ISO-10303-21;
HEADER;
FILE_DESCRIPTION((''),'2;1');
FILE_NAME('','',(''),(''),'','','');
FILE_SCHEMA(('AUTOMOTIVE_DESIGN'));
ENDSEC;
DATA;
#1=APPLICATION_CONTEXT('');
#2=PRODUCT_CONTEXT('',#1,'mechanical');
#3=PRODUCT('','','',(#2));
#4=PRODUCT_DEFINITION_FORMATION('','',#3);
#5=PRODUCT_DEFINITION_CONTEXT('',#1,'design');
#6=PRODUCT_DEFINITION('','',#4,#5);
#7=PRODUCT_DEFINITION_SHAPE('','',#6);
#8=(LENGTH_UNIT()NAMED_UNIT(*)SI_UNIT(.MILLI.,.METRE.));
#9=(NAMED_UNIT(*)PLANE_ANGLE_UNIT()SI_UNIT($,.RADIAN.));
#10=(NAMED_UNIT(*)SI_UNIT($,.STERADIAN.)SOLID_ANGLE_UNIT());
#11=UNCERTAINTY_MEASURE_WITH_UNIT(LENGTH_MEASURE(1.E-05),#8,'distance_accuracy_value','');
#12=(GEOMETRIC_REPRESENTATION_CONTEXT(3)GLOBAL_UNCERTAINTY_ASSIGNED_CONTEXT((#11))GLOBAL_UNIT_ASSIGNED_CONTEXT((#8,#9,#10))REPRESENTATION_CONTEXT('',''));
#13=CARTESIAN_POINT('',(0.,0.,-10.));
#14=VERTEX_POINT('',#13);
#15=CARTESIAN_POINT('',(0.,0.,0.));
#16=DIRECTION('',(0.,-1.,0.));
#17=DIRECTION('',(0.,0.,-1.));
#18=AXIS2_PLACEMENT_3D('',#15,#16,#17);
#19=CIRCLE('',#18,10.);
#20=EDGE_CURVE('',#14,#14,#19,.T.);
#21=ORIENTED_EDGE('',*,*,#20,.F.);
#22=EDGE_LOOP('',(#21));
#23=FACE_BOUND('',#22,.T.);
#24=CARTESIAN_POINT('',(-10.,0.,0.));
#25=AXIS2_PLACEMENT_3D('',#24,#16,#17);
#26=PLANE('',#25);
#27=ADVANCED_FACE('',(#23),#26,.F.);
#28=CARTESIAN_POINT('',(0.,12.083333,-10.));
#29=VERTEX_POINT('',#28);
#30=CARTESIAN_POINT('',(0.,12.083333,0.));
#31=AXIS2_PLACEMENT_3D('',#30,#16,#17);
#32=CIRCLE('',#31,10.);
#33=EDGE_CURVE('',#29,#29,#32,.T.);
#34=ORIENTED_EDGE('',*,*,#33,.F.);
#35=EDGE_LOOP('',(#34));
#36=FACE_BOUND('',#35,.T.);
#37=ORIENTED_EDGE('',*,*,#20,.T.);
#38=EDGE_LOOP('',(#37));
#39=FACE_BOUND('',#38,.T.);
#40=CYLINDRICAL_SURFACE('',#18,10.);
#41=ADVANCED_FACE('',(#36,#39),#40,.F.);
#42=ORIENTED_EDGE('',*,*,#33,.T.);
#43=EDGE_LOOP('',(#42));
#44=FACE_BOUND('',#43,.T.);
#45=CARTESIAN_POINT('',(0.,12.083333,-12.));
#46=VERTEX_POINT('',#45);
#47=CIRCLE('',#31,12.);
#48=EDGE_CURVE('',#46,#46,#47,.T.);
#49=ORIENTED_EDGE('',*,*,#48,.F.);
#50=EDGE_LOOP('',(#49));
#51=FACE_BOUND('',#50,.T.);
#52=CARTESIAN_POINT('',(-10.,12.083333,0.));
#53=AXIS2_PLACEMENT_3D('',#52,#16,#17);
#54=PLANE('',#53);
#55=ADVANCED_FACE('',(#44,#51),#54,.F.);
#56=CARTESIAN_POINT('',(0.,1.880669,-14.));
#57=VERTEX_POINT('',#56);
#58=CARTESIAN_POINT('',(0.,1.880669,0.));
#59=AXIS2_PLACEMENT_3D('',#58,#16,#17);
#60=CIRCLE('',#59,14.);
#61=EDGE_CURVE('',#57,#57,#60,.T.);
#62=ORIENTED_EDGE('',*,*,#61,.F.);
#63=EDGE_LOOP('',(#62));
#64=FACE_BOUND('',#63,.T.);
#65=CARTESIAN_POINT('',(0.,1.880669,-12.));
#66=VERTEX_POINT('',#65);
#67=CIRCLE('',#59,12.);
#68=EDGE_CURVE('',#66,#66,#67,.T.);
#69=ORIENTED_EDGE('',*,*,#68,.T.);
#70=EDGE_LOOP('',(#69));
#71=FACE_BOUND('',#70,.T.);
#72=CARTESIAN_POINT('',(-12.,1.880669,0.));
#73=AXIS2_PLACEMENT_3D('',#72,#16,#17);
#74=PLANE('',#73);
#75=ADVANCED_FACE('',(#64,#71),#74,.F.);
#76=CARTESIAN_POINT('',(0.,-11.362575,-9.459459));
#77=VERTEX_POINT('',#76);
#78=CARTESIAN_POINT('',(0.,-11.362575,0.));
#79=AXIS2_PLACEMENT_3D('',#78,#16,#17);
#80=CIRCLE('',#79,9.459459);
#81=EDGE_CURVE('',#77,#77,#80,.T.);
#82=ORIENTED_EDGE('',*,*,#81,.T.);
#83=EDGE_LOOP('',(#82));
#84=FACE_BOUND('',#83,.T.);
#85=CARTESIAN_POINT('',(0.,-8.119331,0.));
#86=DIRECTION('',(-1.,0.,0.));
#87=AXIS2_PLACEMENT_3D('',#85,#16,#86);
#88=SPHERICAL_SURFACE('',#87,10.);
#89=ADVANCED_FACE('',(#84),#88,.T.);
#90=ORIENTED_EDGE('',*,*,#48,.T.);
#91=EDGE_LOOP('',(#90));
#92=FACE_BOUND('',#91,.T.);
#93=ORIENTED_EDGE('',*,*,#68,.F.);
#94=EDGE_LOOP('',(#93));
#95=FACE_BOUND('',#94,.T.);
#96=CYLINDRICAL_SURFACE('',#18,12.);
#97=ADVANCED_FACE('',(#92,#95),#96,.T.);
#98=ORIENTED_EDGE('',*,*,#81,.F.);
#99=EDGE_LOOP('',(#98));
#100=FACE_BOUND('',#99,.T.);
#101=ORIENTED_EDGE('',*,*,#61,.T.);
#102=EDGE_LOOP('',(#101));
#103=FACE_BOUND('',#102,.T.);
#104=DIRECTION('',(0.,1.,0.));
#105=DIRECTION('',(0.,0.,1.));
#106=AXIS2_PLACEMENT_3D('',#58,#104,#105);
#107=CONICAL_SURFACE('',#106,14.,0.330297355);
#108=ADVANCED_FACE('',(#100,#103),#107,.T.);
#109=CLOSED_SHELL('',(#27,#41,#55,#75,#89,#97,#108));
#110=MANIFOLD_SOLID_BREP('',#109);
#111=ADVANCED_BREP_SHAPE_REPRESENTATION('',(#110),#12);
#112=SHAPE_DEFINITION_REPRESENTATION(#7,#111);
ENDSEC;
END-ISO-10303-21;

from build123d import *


with BuildPart() as part:
    # Esquisse1 → Révolution1 (revolve)
    with BuildSketch(Plane.XY, mode=Mode.PRIVATE) as r_volution1_sk:
        with BuildLine():
            Line((-10, 0), (-10, 12.083333333))
            Line((-10, 12.083333333), (-12, 12.083333333))
            Line((-12, 12.083333333), (-12, 1.880668734))
            Line((-12, 1.880668734), (-14, 1.880668734))
            Line((-14, 1.880668734), (-9.459459459, -11.362574509))
            ThreePointArc((-9.459459459, -11.362574509), (-5.812381937, -16.256665978), (0, -18.119331266))
            Line((0, -18.119331266), (0, 0))
            Line((0, 0), (-10, 0))
        make_face()
    revolve(r_volution1_sk.sketch.rotate(Axis((0, 0, 0), (0, 1, 0)), 270), axis=Axis((0, 0, 0), (0, 1, 0)))


solid = part.part
